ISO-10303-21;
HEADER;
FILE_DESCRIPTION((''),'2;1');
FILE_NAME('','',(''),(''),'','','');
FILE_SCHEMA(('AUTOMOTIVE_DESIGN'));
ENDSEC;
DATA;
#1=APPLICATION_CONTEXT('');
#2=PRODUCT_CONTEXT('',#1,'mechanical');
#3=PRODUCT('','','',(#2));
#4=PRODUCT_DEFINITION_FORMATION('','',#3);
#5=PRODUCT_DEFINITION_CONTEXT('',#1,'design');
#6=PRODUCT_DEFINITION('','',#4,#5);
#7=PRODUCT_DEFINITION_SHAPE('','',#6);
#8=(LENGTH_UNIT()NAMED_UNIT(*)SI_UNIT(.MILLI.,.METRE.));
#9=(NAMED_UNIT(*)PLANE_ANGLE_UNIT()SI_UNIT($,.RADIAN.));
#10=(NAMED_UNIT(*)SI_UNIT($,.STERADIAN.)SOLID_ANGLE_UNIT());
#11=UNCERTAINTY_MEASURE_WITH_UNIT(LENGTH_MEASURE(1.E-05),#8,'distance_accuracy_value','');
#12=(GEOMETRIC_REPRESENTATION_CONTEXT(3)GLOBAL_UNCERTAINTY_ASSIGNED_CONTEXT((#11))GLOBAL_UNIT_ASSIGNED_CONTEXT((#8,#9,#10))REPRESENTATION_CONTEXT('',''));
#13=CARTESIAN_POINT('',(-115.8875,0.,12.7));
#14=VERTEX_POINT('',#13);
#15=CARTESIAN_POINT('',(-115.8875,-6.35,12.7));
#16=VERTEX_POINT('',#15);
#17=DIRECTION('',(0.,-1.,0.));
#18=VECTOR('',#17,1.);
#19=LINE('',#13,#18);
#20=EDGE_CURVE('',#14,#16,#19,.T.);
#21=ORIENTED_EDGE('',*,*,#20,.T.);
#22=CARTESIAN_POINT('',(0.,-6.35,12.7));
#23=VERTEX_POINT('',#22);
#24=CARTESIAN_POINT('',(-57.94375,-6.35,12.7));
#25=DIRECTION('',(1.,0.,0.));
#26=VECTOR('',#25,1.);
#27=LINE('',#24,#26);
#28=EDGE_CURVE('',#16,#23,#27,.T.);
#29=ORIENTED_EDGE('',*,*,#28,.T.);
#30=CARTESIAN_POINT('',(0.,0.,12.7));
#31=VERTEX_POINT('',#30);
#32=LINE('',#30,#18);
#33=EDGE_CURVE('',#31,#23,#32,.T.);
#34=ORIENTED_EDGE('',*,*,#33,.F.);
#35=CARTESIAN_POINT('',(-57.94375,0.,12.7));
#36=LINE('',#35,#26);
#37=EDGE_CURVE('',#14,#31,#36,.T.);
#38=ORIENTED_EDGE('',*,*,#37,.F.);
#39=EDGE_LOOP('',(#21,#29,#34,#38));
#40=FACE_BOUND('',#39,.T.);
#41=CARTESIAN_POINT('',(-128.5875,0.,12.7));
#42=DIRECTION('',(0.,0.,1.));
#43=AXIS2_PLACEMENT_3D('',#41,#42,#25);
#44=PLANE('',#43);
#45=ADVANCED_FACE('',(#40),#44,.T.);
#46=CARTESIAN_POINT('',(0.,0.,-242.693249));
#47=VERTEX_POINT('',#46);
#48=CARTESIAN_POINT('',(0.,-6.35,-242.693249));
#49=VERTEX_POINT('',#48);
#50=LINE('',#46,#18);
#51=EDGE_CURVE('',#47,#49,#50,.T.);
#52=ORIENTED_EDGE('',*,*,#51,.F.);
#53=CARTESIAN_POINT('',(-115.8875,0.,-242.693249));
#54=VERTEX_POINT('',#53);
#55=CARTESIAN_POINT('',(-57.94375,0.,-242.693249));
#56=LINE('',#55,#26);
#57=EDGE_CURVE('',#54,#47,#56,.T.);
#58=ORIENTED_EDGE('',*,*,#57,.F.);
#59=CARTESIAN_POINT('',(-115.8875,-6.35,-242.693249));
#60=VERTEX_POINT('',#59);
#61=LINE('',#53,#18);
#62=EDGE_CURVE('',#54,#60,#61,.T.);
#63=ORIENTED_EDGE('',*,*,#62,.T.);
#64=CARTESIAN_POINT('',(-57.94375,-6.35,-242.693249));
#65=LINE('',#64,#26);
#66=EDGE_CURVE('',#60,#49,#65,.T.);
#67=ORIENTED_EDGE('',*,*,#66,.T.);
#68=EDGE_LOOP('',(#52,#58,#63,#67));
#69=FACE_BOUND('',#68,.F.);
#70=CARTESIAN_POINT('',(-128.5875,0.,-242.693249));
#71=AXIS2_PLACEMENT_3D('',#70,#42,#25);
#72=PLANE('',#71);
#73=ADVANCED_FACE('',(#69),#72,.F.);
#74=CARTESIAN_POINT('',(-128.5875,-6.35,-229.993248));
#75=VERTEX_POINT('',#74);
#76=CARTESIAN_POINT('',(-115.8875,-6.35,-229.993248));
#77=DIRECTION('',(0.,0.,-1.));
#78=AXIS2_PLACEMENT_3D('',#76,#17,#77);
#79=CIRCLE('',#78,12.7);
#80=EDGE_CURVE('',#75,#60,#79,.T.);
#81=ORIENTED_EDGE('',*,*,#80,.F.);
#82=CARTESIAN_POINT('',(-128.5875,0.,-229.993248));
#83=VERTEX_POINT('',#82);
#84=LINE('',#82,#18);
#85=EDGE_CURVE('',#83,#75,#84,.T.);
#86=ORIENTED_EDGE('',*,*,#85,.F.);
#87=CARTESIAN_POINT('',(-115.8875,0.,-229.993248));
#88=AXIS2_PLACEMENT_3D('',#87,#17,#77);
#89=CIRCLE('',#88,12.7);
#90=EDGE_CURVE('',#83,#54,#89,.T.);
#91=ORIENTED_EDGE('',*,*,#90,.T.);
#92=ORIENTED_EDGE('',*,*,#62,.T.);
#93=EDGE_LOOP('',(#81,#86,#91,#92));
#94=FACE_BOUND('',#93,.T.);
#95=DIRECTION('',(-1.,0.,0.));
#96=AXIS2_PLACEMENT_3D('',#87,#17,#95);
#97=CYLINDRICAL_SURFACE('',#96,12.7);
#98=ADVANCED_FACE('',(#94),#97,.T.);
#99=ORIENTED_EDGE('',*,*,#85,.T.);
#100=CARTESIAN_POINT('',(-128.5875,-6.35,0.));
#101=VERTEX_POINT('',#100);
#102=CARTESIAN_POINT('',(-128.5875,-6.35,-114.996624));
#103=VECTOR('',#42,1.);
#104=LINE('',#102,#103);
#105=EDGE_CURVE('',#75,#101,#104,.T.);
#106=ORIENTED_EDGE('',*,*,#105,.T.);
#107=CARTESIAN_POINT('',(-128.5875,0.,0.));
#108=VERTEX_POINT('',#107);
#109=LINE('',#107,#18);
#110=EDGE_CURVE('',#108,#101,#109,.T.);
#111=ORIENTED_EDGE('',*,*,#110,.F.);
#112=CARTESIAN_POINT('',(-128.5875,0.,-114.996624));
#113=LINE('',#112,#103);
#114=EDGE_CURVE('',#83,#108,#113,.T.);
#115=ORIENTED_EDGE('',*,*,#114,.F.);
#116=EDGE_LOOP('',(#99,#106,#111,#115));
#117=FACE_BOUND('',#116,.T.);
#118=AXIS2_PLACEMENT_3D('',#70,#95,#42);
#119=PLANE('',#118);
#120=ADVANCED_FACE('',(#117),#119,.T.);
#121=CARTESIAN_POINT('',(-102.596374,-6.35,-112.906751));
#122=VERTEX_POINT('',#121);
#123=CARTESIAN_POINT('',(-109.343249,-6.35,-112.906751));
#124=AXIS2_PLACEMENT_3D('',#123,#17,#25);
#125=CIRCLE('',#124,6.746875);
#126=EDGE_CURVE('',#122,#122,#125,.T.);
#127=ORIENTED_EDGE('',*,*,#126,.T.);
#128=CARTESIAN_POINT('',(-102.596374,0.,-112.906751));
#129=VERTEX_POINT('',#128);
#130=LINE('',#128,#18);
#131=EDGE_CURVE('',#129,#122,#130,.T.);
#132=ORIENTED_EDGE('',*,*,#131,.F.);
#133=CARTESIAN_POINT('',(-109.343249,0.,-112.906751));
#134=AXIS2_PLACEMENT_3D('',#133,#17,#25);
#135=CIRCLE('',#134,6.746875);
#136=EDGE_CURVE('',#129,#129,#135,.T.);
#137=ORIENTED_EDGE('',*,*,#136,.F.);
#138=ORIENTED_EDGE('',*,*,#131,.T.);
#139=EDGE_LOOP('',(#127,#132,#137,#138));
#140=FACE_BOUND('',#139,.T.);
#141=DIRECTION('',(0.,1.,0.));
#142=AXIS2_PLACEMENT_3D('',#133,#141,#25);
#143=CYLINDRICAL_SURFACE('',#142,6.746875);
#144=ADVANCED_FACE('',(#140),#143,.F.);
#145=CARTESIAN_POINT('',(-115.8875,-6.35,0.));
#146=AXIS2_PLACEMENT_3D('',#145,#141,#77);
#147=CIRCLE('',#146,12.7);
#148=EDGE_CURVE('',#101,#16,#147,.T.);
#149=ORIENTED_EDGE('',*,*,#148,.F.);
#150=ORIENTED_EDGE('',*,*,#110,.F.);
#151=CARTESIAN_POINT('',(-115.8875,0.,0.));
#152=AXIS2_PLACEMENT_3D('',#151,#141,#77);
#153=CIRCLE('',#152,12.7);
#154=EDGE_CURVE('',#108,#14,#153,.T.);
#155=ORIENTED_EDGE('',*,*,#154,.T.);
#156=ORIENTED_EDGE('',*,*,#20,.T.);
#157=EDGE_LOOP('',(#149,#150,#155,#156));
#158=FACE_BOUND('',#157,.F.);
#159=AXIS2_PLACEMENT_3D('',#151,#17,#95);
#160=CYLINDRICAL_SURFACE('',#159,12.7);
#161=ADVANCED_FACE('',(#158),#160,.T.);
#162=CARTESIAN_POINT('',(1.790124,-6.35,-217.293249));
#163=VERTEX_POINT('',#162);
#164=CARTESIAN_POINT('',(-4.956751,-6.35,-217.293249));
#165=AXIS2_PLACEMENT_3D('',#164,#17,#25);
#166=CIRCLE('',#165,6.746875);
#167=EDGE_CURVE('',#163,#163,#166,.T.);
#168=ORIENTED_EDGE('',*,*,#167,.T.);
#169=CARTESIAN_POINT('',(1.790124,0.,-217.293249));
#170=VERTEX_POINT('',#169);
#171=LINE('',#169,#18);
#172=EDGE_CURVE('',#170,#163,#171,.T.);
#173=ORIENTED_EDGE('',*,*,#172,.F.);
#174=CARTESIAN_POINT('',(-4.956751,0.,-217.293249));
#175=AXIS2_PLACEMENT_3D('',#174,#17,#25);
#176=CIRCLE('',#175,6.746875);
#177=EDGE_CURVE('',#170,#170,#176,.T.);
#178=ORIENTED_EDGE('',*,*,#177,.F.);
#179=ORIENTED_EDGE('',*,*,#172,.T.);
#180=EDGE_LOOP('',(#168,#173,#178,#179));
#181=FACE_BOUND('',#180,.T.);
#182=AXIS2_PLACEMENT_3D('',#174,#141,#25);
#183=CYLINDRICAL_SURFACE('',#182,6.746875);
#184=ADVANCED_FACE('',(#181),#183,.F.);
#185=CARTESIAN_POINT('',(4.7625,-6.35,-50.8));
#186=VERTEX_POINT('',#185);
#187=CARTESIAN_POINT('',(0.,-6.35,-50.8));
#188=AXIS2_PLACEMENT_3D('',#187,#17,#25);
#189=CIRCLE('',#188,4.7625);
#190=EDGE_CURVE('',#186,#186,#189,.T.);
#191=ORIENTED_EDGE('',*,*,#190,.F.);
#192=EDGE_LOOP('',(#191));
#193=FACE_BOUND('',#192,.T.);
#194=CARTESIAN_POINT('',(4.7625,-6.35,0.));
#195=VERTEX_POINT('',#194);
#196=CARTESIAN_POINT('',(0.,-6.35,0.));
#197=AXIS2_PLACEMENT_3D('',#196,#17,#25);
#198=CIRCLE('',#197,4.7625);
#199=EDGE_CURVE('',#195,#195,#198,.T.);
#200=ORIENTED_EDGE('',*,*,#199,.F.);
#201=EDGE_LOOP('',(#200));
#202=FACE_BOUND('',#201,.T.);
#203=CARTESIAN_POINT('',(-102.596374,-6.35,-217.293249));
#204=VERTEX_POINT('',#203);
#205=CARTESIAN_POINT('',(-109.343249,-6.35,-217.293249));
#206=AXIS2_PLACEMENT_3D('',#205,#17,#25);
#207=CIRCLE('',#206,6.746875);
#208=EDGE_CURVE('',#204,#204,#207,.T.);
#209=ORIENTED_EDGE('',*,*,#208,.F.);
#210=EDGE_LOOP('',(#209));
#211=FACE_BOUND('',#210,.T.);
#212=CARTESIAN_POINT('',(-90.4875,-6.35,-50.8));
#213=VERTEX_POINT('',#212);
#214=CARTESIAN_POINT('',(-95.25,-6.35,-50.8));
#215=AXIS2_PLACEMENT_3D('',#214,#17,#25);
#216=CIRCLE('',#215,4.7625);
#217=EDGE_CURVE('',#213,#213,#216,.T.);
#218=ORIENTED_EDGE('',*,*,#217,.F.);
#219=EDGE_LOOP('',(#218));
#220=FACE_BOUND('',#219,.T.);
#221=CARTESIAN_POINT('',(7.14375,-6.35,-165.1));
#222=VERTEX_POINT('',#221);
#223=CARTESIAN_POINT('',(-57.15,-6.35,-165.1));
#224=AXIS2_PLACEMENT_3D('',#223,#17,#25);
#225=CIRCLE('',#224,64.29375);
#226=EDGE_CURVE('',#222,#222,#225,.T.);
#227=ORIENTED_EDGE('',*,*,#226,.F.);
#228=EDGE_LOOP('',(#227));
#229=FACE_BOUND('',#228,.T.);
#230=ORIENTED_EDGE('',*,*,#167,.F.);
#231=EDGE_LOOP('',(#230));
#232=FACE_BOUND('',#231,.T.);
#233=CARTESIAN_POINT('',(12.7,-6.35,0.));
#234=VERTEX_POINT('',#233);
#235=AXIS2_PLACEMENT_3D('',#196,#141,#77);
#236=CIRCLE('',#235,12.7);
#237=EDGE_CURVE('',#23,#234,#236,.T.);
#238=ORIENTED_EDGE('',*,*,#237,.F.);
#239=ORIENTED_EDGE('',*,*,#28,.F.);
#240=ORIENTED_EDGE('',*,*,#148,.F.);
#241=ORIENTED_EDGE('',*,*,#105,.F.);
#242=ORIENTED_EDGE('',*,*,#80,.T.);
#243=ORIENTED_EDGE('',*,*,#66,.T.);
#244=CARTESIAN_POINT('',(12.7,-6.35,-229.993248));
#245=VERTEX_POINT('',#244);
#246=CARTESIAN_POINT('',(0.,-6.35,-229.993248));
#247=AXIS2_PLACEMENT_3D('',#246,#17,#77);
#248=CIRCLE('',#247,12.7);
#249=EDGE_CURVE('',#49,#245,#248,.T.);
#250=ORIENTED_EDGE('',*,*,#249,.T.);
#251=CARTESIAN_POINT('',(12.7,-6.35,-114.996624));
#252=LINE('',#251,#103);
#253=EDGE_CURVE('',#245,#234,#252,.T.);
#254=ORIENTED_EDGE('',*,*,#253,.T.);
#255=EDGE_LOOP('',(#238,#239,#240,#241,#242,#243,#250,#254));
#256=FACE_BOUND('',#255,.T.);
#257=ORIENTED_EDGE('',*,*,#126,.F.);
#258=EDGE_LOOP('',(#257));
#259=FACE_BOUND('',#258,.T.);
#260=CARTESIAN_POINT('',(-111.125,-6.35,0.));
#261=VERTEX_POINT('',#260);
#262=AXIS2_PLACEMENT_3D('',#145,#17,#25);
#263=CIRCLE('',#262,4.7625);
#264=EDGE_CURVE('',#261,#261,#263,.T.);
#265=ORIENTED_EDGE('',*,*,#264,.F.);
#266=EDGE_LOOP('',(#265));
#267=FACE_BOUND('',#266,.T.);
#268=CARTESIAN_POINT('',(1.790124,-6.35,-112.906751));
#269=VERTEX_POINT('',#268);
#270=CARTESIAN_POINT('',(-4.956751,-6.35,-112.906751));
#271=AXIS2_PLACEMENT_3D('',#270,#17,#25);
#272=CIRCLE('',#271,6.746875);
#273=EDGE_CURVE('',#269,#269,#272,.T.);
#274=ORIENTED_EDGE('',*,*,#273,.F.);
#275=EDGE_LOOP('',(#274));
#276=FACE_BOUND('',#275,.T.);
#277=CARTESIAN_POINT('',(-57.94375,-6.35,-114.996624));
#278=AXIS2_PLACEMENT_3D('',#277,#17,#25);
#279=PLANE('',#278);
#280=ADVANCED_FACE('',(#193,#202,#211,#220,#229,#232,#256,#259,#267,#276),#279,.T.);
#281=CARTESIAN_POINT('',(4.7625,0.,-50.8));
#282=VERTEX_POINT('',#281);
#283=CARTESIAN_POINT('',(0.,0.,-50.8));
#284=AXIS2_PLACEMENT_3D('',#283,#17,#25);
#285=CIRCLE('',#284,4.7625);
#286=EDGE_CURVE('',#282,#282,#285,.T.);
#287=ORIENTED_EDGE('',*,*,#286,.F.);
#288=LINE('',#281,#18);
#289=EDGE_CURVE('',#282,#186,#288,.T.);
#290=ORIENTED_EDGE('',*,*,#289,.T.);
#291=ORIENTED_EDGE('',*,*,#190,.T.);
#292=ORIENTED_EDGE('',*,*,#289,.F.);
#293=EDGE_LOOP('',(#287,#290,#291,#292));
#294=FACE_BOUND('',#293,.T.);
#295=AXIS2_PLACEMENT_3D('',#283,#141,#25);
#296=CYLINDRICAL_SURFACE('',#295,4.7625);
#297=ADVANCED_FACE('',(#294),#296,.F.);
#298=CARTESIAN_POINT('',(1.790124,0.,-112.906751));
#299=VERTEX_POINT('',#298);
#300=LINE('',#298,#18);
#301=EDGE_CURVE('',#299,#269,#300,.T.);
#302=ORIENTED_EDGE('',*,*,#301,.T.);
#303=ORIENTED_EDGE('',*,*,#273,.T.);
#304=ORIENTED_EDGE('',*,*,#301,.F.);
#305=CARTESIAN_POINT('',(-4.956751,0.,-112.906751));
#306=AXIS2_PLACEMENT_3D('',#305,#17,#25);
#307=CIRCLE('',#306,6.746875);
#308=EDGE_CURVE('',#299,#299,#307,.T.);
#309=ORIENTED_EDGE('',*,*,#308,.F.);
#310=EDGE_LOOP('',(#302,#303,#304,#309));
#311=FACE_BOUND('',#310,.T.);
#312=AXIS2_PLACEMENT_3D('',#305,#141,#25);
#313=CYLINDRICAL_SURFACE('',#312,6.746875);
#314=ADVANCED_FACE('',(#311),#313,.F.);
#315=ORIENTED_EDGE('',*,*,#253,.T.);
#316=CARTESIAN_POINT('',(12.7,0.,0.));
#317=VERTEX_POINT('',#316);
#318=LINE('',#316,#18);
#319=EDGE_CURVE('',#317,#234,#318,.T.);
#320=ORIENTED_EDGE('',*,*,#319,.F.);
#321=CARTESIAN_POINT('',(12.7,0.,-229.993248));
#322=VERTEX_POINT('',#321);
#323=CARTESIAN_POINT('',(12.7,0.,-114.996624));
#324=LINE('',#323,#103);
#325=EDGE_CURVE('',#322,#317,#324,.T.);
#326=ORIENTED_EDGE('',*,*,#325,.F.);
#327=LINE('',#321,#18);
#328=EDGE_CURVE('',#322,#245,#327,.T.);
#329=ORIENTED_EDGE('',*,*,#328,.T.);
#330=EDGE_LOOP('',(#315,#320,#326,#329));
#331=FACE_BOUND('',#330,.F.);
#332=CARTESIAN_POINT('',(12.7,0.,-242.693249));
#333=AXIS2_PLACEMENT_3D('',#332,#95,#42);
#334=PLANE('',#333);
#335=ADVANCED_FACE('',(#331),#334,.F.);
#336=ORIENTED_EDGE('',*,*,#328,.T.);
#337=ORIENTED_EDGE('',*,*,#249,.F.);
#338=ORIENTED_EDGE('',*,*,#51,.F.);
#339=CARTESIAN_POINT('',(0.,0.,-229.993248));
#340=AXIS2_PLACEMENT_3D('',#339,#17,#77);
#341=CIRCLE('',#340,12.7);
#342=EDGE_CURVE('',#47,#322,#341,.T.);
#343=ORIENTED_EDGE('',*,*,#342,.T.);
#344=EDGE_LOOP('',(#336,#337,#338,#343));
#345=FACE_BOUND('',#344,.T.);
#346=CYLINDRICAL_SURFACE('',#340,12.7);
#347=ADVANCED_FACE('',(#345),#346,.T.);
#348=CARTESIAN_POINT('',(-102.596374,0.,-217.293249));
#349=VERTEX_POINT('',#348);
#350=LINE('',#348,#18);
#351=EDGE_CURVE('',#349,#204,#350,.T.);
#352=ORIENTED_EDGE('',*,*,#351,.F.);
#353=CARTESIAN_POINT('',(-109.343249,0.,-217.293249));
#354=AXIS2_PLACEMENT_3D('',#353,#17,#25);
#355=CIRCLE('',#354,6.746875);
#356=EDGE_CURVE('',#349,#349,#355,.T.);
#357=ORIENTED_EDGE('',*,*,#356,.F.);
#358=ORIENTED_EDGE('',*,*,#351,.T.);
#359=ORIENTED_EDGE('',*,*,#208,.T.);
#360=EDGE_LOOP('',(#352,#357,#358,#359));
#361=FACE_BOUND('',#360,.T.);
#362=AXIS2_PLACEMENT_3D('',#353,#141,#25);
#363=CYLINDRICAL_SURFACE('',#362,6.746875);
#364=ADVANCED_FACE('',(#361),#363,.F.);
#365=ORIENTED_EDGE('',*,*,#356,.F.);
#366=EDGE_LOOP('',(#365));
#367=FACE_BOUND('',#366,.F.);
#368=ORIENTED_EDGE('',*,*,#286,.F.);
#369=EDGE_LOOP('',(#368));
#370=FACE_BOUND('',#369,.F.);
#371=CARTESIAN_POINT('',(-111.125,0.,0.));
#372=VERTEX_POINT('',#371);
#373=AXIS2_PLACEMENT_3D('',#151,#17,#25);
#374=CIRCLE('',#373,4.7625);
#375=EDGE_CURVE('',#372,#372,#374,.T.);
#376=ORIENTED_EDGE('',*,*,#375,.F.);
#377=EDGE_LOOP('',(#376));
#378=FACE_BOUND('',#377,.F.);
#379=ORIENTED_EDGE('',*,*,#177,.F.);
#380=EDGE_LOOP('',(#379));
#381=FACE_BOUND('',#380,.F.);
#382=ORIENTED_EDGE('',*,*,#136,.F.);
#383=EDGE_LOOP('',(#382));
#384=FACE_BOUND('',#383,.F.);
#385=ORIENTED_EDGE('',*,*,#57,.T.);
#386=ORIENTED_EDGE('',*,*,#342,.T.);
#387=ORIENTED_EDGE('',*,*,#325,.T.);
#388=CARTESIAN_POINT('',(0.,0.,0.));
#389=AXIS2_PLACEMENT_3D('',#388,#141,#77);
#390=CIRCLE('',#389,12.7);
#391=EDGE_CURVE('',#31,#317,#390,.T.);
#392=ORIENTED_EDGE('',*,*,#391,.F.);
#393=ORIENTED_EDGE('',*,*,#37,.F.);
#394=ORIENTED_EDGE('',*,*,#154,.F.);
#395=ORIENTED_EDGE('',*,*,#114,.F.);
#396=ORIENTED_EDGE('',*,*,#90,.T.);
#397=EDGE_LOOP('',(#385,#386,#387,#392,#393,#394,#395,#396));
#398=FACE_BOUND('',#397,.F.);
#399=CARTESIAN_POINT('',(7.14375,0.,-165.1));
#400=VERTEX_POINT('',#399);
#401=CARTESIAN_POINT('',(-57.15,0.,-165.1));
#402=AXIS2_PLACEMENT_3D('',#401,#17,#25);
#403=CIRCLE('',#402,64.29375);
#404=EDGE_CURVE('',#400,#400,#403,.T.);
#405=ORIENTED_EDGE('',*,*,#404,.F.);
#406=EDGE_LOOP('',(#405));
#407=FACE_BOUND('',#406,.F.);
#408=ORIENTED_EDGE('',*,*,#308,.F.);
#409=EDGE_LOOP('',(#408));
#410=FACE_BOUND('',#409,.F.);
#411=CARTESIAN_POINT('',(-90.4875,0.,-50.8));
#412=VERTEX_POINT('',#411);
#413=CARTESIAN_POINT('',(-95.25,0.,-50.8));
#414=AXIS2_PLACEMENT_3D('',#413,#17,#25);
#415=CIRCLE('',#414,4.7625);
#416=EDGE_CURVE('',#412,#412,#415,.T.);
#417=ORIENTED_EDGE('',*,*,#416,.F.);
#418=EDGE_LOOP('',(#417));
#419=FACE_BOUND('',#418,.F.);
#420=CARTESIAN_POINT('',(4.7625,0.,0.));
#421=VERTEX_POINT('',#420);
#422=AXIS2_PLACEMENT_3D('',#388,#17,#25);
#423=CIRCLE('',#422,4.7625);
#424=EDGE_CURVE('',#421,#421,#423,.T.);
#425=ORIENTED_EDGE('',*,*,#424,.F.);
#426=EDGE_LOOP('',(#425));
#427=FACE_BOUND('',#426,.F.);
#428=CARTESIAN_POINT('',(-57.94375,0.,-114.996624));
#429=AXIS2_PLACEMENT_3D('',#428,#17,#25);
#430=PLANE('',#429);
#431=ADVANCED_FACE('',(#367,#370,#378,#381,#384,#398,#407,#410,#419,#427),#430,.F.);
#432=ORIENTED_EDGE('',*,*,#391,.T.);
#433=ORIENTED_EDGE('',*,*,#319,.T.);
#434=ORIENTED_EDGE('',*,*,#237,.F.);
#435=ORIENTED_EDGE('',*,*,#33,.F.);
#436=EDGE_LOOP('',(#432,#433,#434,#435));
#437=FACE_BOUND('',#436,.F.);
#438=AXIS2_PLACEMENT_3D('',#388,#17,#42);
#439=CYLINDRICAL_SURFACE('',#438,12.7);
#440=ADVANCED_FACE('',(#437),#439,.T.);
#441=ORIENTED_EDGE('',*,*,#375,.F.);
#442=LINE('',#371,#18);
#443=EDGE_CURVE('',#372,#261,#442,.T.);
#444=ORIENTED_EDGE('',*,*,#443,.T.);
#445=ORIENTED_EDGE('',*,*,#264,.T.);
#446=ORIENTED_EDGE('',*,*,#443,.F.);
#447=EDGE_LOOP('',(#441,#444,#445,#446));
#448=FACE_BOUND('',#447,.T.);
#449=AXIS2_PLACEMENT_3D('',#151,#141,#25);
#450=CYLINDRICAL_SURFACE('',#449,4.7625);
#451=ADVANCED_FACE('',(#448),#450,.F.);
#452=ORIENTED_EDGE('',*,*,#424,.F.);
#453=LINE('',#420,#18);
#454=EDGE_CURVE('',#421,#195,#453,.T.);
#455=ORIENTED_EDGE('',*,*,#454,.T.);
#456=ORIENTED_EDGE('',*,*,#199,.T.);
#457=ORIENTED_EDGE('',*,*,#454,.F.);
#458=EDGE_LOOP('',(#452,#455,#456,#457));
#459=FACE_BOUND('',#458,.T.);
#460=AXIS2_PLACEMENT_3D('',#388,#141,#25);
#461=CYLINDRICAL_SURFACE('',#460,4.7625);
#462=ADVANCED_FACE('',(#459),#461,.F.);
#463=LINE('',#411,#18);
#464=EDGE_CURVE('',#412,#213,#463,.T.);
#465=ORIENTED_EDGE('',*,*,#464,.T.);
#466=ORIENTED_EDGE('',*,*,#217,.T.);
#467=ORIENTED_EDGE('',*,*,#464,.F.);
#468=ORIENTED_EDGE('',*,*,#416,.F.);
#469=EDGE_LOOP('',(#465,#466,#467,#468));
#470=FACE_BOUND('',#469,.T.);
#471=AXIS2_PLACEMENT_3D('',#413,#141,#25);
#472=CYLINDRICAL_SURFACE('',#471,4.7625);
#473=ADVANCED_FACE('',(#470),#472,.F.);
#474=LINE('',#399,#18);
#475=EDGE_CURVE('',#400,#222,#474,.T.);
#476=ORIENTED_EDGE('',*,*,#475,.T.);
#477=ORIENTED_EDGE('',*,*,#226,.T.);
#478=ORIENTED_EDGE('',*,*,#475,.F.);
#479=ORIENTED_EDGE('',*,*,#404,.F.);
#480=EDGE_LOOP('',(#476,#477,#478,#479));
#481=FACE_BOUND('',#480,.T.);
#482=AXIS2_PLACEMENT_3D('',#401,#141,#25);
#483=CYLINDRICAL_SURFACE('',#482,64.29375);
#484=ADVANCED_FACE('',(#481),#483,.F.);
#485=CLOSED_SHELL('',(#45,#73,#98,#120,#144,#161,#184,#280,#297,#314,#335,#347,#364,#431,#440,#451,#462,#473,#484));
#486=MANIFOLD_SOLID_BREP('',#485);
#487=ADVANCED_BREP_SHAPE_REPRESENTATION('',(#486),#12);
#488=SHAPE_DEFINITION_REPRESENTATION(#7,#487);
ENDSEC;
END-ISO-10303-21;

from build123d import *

# Parameters (mm, degrees)
F0_W     = 141.2875
F0_H     = 255.393249
F0_R     = 6.746875
F0_R_2   = 64.29375
F0_R_3   = 4.7625
F1_DEPTH = 6.35
F2_R     = 12.7


with BuildPart() as f1:
    # F0 (on Front) → F1 (new body)
    with BuildSketch(Plane.XZ):
        with Locations((-57.94375, -114.996624)):
            Rectangle(F0_W, F0_H)
        with Locations((-109.343249, -217.293249)):
            Circle(F0_R, mode=Mode.SUBTRACT)
        with Locations((-4.956751, -217.293249)):
            Circle(F0_R, mode=Mode.SUBTRACT)
        with Locations((-57.15, -165.1)):
            Circle(F0_R_2, mode=Mode.SUBTRACT)
        with Locations((-109.343249, -112.906751)):
            Circle(F0_R, mode=Mode.SUBTRACT)
        with Locations((-95.25, -50.8)):
            Circle(F0_R_3, mode=Mode.SUBTRACT)
        with Locations((-115.8875, 0)):
            Circle(F0_R_3, mode=Mode.SUBTRACT)
        with Locations((-4.956751, -112.906751)):
            Circle(F0_R, mode=Mode.SUBTRACT)
        with Locations((0, -50.8)):
            Circle(F0_R_3, mode=Mode.SUBTRACT)
        Circle(F0_R_3, mode=Mode.SUBTRACT)
    extrude(amount=F1_DEPTH)

    # F2
    f2_edges = [f1.edges().sort_by_distance(p)[0] for p in [
        (-128.5875, -3.175, -242.693249),
        (12.7, -3.175, -242.693249),
        (12.7, -3.175, 12.7),
        (-128.5875, -3.175, 12.7),
    ]]
    fillet(f2_edges, radius=F2_R)


solid = f1.part
